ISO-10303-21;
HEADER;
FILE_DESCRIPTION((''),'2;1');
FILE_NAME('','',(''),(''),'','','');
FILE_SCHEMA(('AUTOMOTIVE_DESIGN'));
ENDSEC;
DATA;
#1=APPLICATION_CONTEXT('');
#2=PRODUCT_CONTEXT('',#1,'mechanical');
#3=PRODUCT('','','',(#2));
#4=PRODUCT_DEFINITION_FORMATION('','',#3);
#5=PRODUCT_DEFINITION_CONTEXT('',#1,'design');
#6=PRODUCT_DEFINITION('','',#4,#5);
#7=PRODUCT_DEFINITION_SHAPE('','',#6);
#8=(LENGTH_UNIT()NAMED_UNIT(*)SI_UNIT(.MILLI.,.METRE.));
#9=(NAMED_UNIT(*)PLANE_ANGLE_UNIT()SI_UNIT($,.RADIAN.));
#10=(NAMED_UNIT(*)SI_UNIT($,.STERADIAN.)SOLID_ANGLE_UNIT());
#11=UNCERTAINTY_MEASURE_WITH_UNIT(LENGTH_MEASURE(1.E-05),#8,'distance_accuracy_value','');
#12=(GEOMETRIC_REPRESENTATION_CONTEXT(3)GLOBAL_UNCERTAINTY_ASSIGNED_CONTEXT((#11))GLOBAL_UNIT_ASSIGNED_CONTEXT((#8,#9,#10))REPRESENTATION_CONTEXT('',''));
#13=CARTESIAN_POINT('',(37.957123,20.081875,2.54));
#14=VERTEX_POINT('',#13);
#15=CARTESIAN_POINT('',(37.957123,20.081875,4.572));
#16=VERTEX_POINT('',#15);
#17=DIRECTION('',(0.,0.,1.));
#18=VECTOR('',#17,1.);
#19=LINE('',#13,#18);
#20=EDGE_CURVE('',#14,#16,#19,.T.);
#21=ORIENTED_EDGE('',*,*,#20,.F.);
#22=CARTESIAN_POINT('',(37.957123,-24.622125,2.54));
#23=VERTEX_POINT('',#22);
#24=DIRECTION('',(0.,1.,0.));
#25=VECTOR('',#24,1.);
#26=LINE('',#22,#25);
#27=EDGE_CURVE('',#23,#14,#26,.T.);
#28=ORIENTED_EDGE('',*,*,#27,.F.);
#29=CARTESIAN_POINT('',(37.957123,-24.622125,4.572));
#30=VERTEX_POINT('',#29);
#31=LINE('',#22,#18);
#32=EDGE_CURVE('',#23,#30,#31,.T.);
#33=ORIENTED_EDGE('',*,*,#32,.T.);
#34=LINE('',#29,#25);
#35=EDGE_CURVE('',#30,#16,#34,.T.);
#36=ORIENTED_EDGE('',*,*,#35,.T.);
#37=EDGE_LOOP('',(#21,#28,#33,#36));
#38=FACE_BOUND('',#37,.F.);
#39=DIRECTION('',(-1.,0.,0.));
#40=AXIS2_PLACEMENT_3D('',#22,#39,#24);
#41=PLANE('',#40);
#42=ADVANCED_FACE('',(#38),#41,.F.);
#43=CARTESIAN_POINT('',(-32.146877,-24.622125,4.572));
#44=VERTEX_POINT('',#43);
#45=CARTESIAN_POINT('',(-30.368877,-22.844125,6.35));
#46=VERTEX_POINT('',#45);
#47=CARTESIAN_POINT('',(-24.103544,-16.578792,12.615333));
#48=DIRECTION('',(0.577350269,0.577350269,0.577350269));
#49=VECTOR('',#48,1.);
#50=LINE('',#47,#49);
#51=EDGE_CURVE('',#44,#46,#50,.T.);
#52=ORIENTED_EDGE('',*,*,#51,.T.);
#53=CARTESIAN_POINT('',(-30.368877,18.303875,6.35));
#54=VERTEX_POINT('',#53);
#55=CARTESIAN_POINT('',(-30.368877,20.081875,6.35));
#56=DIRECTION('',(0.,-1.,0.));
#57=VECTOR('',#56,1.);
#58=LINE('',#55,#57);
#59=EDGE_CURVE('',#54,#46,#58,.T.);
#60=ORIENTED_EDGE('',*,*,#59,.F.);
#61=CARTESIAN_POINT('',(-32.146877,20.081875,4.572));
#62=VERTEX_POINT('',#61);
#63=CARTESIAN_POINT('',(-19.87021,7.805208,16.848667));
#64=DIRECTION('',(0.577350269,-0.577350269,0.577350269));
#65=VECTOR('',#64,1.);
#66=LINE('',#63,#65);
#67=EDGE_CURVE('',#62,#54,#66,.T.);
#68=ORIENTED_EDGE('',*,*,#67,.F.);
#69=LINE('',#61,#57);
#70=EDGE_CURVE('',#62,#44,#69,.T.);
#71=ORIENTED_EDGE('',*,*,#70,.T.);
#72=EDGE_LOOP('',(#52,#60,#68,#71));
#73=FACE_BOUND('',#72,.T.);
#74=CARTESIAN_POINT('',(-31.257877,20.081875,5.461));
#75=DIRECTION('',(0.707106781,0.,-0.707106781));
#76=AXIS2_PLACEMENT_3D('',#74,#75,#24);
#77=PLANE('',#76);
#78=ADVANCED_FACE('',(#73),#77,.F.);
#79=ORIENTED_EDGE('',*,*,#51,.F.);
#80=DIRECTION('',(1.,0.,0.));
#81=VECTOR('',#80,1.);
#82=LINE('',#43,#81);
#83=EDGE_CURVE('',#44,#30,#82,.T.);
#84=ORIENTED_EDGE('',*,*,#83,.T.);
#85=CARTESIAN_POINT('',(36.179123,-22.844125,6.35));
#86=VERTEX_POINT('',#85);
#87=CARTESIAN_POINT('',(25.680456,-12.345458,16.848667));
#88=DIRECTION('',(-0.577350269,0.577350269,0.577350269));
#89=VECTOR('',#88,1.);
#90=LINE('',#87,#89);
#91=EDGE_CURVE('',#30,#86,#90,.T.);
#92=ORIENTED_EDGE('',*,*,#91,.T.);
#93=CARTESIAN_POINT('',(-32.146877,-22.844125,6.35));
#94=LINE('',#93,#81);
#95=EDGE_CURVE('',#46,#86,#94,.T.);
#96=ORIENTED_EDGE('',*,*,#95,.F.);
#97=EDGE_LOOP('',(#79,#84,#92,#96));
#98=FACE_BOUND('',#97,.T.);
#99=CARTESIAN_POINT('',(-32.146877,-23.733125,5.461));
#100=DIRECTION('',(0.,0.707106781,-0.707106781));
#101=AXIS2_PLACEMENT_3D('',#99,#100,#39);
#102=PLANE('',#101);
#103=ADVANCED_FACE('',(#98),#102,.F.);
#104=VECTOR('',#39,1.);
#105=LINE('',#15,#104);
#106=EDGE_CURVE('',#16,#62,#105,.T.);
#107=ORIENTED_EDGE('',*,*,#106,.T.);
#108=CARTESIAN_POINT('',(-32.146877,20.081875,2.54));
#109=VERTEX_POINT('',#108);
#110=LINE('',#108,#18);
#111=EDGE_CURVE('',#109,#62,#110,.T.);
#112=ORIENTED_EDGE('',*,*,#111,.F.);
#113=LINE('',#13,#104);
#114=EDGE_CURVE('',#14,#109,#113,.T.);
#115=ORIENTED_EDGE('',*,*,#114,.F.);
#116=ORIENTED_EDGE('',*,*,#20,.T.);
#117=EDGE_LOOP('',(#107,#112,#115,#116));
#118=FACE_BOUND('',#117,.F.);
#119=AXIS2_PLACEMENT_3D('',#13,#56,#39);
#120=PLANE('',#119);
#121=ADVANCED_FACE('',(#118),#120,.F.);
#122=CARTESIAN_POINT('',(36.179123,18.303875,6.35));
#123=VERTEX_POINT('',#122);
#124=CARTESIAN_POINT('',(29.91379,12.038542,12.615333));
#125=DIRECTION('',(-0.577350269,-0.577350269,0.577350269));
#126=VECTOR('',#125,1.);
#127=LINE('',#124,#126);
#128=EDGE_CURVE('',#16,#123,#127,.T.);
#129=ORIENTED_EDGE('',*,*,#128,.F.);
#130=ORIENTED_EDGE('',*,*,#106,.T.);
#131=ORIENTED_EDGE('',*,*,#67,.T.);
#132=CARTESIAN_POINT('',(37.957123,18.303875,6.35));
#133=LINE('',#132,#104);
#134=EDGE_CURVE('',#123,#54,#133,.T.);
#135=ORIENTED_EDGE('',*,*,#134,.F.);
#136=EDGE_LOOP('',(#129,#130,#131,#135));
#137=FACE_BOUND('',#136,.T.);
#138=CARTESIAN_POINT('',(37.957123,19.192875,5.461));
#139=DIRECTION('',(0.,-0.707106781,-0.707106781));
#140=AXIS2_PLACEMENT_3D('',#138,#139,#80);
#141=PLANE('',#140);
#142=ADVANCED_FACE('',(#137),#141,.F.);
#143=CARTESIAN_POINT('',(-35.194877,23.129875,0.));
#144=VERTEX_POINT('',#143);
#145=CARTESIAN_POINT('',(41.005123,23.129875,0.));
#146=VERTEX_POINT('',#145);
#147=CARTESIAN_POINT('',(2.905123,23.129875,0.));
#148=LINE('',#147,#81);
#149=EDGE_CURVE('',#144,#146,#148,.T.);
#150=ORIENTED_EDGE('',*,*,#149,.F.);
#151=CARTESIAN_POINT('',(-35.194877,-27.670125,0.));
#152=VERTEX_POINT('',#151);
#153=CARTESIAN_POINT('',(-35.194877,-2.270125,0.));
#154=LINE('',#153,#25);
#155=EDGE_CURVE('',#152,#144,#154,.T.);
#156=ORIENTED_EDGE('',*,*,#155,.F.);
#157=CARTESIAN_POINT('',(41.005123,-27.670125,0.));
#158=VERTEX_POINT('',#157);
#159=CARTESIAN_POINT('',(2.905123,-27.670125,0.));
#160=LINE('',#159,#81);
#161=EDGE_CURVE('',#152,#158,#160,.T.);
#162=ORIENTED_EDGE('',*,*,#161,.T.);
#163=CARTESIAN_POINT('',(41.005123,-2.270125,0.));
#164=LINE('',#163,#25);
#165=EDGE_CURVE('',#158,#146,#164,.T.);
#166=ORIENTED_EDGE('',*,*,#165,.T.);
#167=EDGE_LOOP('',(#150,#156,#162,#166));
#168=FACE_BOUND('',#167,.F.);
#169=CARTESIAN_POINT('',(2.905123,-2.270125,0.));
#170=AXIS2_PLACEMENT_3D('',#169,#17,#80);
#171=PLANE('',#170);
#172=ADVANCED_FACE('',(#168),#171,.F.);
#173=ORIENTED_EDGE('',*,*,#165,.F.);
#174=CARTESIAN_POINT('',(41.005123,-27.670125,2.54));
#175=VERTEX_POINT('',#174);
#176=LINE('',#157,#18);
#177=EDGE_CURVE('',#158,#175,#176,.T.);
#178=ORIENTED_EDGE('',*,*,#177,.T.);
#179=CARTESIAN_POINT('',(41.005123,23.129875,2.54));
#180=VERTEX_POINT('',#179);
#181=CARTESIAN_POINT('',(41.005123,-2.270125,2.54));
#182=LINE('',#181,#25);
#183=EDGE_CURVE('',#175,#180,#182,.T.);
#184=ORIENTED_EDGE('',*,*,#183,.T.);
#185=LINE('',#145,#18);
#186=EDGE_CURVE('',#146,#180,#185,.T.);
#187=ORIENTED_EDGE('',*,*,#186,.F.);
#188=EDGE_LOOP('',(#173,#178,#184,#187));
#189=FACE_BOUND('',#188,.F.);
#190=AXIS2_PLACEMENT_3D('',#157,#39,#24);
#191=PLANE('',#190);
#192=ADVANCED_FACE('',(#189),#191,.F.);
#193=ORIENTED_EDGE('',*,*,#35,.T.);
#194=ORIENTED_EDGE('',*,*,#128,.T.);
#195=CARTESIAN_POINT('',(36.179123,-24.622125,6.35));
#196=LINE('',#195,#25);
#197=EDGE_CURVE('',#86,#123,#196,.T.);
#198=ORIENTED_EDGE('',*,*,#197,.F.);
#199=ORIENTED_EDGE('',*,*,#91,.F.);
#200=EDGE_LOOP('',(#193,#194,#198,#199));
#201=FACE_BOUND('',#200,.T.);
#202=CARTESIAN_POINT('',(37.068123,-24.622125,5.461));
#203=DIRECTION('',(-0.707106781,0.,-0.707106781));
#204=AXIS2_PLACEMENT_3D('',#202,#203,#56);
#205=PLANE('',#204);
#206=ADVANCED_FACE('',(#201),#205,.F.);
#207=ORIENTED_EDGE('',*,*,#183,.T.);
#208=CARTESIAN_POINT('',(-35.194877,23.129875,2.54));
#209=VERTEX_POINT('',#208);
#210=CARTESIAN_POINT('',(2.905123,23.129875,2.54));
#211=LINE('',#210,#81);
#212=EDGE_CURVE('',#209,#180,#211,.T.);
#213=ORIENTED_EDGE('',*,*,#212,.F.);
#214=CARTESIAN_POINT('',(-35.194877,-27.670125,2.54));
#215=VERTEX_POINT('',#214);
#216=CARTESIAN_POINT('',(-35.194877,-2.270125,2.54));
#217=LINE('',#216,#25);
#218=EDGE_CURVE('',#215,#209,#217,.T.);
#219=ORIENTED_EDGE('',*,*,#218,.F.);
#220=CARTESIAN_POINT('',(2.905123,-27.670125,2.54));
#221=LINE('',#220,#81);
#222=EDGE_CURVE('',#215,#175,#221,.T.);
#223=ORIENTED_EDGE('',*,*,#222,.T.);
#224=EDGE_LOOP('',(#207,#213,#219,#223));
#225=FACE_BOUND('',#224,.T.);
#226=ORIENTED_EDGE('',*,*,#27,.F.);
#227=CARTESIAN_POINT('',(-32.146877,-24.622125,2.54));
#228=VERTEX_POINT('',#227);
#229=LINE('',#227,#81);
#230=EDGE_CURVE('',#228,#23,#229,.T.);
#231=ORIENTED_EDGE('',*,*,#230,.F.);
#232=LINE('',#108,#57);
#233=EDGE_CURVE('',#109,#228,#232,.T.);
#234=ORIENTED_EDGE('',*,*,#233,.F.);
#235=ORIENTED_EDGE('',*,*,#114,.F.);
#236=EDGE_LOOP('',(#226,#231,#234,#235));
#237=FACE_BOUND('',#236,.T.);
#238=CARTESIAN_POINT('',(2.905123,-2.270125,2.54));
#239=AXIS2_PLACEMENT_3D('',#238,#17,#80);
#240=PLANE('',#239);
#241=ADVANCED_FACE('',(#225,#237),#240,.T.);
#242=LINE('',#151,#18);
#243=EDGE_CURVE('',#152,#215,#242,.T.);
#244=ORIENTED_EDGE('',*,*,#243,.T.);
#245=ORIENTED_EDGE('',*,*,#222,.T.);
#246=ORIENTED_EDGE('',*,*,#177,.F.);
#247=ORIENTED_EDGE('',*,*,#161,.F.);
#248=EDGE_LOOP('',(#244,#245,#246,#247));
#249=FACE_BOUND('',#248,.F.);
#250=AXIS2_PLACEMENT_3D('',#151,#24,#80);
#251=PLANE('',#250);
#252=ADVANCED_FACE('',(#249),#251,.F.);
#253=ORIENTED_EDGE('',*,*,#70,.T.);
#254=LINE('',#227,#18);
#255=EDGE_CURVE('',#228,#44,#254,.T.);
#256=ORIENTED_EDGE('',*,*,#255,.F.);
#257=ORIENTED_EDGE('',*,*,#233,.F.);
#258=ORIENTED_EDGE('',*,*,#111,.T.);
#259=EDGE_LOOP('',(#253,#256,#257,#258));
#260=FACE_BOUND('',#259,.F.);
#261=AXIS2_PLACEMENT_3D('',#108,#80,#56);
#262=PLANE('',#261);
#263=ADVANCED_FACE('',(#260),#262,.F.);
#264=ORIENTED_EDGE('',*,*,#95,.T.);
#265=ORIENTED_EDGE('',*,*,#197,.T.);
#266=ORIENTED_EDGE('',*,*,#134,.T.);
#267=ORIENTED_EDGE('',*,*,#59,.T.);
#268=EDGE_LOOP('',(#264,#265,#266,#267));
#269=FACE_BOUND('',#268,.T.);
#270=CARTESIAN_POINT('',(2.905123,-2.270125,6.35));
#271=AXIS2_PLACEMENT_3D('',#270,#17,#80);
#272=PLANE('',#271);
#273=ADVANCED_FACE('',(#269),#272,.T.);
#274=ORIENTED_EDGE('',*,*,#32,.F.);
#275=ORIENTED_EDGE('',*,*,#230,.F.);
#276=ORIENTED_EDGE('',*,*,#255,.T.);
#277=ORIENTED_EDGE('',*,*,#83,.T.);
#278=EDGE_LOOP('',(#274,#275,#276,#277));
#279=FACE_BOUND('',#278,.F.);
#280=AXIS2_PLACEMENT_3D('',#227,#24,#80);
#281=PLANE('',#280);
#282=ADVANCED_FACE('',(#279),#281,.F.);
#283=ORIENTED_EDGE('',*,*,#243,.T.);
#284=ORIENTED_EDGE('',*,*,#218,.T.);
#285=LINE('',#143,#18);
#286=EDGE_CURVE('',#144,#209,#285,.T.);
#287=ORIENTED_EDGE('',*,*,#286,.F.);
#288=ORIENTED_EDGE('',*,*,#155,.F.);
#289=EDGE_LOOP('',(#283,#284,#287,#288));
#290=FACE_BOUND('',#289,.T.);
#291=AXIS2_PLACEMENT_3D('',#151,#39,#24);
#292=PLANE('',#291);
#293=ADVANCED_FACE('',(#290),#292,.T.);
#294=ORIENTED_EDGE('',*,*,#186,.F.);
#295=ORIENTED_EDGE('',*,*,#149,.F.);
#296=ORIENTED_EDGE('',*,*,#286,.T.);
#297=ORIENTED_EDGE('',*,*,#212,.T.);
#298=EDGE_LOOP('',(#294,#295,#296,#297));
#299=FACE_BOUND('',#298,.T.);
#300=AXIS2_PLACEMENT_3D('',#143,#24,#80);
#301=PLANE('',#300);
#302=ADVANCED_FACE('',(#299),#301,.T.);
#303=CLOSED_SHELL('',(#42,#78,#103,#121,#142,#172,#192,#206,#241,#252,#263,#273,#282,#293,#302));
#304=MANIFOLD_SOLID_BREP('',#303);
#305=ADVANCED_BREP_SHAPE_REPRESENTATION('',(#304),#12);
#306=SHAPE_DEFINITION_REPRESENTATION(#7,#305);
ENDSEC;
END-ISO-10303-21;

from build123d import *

# Parameters (mm, degrees)
F0_W     = 76.2
F0_H     = 50.8
F1_DEPTH = 2.54
F3_DEPTH = 3.81
F4_SIZE  = 1.778


with BuildPart() as f1:
    # F0 (on Top) → F1 (new body)
    with BuildSketch(Plane.XY):
        with Locations((2.905123, -2.270125)):
            Rectangle(F0_W, F0_H)
    extrude(amount=F1_DEPTH)

    # F2 (on face) → F3 (join)
    with BuildSketch(Plane.XY.offset(2.54)):
        Polygon((37.957123, 20.081875), (-32.146877, 20.081875), (-32.146877, -24.622125), (37.957123, -24.622125), (37.957123, 4.333875), align=None)
    extrude(amount=F3_DEPTH)

    # F4
    f4_edges = [f1.edges().sort_by_distance(p)[0] for p in [
        (2.905123, -24.622125, 6.35),
        (-32.146877, -2.270125, 6.35),
        (37.957123, -2.270125, 6.35),
        (2.905123, 20.081875, 6.35),
    ]]
    chamfer(f4_edges, length=F4_SIZE)


solid = f1.part
